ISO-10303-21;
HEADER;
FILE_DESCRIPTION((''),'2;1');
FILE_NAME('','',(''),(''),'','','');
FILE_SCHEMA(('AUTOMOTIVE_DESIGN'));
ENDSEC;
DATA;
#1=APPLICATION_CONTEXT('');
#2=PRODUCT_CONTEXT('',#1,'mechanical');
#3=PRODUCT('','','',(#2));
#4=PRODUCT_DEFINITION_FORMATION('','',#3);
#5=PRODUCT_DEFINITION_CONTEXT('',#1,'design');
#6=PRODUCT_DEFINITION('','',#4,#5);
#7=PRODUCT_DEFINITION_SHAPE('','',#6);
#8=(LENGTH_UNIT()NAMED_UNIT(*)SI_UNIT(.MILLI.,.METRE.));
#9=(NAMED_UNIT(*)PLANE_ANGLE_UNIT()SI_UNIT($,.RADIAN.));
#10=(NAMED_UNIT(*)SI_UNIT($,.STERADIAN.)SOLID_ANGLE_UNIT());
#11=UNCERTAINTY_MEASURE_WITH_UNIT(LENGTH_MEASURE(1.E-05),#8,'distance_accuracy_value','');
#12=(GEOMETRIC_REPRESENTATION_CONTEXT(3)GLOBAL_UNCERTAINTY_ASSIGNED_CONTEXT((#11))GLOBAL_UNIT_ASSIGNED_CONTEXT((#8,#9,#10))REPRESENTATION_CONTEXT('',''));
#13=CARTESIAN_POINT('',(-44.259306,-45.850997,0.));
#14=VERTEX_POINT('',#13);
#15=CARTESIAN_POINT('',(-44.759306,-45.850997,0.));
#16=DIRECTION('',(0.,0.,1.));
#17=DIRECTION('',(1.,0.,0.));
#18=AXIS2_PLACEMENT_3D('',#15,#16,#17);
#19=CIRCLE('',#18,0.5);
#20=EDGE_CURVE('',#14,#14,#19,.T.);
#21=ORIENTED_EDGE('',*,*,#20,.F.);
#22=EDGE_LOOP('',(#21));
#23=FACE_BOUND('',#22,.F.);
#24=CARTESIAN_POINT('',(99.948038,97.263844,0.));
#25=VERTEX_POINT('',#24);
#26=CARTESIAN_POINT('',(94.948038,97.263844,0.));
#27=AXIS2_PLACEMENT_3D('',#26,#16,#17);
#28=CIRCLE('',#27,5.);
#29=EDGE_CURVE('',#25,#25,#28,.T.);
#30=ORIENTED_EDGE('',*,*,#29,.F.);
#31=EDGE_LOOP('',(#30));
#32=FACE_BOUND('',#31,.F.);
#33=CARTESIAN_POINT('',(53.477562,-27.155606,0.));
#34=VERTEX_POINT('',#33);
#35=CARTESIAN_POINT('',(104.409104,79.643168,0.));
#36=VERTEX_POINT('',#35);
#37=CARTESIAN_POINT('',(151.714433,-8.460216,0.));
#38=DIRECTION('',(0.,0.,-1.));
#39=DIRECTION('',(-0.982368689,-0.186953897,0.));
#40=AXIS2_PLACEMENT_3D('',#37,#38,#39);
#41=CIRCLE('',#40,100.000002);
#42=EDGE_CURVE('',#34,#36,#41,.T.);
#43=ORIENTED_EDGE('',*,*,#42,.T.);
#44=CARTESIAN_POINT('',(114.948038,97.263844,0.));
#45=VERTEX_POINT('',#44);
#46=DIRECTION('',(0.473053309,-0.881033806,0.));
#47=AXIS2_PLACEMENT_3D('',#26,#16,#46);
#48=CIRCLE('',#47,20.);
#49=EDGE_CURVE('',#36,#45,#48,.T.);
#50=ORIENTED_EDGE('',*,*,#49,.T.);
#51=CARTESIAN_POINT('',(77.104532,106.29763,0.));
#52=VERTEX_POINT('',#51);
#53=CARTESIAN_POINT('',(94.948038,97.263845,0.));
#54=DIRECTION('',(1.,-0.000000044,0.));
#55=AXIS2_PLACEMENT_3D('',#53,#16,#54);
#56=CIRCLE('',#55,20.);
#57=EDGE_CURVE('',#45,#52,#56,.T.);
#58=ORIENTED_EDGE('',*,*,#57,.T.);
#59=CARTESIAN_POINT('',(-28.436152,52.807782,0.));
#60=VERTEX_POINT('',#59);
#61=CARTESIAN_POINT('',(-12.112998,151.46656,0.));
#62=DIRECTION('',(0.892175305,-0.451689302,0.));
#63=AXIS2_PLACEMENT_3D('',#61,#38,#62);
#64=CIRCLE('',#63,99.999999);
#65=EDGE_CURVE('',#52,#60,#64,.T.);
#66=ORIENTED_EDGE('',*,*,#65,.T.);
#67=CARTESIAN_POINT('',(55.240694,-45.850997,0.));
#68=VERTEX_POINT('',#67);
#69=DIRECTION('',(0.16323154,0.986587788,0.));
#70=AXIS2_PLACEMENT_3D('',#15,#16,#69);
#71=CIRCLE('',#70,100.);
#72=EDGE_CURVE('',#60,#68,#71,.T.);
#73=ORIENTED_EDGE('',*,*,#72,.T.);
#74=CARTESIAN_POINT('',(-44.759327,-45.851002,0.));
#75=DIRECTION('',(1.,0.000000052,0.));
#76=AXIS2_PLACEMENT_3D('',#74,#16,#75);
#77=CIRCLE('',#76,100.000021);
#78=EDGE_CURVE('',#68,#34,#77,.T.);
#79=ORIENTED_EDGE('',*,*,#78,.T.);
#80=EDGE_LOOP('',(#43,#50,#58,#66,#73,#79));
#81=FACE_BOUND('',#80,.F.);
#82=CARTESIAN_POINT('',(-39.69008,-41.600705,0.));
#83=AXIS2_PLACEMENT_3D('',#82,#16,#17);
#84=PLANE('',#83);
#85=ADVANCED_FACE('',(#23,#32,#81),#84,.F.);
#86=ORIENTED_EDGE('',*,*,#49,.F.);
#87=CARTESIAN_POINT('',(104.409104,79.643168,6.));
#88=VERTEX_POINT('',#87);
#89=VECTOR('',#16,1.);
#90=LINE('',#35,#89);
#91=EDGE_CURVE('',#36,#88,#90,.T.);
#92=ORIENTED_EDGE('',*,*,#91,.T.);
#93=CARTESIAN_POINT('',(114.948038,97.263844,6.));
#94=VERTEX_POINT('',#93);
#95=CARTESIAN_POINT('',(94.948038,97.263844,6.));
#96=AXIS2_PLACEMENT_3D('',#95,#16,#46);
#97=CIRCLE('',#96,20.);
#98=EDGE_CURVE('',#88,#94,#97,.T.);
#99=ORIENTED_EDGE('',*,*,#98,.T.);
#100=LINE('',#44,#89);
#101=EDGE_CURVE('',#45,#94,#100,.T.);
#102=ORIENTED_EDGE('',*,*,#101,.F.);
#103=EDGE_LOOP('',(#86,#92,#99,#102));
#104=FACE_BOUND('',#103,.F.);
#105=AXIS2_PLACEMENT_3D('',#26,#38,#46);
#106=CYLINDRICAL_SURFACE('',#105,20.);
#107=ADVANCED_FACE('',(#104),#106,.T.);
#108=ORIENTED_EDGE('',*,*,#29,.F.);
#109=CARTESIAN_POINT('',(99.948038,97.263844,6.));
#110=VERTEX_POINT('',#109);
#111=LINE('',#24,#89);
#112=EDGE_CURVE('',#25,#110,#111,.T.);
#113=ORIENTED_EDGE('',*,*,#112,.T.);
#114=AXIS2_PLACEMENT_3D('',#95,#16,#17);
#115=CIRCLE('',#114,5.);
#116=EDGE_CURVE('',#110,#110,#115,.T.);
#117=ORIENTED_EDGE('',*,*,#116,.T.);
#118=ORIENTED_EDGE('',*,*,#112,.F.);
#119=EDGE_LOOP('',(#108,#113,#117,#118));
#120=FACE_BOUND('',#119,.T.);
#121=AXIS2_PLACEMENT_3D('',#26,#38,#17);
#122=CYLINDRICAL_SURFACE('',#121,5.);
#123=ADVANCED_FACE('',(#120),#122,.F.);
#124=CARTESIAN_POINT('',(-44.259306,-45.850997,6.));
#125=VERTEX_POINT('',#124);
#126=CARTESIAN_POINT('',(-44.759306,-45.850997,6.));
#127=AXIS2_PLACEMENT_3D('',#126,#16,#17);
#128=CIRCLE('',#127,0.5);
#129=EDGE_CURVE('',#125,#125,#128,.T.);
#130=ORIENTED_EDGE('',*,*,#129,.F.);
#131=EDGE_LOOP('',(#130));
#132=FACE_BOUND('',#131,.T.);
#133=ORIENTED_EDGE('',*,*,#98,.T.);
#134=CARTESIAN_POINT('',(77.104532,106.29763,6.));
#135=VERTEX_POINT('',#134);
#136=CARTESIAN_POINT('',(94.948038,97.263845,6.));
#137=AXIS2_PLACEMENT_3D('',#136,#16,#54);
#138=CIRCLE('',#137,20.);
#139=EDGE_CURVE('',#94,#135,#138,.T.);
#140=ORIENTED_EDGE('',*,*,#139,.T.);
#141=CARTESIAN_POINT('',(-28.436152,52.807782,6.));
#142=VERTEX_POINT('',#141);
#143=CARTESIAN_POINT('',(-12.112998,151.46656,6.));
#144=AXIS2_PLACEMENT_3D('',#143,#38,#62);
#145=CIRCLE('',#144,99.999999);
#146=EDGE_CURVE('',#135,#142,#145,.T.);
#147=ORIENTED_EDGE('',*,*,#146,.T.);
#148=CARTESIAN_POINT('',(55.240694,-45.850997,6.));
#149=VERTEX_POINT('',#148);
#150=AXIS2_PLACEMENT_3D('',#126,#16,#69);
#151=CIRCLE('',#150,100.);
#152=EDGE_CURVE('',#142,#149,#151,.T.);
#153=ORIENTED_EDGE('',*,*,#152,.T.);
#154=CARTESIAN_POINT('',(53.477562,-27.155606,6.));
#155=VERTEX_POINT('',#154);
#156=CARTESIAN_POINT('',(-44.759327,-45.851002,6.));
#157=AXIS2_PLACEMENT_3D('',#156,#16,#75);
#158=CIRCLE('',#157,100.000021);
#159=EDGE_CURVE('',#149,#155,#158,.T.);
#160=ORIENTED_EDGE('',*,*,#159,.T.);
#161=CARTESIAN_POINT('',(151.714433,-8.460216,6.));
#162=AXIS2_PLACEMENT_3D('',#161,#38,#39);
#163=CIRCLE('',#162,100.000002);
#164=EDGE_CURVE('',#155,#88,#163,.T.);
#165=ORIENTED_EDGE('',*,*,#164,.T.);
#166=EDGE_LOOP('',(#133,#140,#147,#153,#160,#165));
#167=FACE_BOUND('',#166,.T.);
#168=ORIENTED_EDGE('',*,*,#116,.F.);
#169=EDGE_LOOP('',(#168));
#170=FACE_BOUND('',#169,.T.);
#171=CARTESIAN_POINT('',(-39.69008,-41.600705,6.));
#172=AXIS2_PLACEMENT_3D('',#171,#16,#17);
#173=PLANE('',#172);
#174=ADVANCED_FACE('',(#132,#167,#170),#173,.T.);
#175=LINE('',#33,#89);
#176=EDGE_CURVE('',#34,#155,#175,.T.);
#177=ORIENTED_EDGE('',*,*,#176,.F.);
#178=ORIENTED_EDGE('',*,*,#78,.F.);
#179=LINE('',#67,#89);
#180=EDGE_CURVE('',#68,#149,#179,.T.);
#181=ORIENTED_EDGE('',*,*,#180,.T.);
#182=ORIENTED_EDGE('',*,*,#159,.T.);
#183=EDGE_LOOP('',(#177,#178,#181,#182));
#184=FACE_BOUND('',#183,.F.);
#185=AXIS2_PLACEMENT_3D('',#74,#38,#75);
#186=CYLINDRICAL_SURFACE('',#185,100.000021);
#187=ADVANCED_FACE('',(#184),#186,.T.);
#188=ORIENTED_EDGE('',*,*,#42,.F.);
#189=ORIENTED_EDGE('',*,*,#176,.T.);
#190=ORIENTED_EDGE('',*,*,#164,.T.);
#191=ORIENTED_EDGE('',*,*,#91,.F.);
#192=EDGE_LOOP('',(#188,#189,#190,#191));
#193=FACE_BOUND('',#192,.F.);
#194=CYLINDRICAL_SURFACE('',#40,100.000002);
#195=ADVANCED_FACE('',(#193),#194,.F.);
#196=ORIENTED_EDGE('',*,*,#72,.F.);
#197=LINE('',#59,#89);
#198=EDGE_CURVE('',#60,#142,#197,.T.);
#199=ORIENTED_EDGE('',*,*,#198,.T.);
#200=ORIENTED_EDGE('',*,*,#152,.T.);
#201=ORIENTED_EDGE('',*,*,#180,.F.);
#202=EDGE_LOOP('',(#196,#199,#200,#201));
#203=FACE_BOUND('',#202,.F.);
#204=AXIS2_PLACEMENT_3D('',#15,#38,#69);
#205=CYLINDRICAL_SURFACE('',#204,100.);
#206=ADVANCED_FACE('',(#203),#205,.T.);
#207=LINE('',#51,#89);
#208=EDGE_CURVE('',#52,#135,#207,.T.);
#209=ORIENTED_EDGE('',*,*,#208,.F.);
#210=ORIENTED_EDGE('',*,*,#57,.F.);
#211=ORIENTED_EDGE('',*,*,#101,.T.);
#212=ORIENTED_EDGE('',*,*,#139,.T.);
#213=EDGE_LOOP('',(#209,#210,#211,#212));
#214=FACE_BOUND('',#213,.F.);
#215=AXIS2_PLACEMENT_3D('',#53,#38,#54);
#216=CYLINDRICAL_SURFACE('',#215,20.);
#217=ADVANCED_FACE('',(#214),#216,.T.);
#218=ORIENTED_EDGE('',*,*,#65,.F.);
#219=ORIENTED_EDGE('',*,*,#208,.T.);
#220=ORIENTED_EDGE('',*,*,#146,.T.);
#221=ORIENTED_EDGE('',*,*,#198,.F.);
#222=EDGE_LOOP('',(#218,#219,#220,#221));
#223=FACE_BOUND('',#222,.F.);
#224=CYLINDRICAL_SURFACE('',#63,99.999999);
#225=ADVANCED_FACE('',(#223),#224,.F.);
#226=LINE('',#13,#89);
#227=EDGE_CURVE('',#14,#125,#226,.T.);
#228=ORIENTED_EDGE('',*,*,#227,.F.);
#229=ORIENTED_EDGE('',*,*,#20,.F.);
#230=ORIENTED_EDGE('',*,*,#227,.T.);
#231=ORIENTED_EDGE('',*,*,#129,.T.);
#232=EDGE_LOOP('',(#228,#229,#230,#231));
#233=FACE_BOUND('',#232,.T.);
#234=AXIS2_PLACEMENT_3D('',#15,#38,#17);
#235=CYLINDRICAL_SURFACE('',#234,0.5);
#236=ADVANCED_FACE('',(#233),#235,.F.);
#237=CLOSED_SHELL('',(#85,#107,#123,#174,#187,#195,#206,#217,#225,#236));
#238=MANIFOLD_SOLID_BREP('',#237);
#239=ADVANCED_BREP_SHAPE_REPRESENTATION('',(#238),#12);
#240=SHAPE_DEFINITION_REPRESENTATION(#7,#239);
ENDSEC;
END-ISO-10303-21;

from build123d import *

# Parameters (mm, degrees)
F1_R     = 0.5
F1_R_2   = 5
F2_DEPTH = 6


with BuildPart() as f2:
    # F1 (on Top) → F2 (new body)
    with BuildSketch(Plane.XY):
        with BuildLine():
            ThreePointArc((-28.436152, 52.807782), (-121.023044, -110.533624), (55.240694, -45.850997))
            ThreePointArc((55.240694, -45.850997), (54.798935, -36.461824), (53.477562, -27.155606))
            ThreePointArc((53.477562, -27.155606), (25.094366, 25.706424), (-28.436152, 52.807782))
        make_face()
        with Locations((-44.759306, -45.850997)):
            Circle(F1_R, mode=Mode.SUBTRACT)
        with BuildLine():
            ThreePointArc((-28.436152, 52.807782), (25.094366, 25.706424), (53.477562, -27.155606))
            ThreePointArc((53.477562, -27.155606), (61.452993, 34.584794), (104.409104, 79.643168))
            ThreePointArc((104.409104, 79.643168), (80.977304, 82.95236), (77.104532, 106.29763))
            ThreePointArc((77.104532, 106.29763), (33.094175, 62.268402), (-28.436152, 52.807782))
        make_face()
        with BuildLine():
            ThreePointArc((77.104532, 106.29763), (80.977304, 82.95236), (104.409104, 79.643168))
            ThreePointArc((104.409104, 79.643168), (112.112264, 86.997913), (114.948038, 97.263844))
            ThreePointArc((114.948038, 97.263844), (99.591845, 116.717252), (77.104532, 106.29763))
        make_face()
        with Locations((94.948038, 97.263844)):
            Circle(F1_R_2, mode=Mode.SUBTRACT)
    extrude(amount=F2_DEPTH)


solid = f2.part
